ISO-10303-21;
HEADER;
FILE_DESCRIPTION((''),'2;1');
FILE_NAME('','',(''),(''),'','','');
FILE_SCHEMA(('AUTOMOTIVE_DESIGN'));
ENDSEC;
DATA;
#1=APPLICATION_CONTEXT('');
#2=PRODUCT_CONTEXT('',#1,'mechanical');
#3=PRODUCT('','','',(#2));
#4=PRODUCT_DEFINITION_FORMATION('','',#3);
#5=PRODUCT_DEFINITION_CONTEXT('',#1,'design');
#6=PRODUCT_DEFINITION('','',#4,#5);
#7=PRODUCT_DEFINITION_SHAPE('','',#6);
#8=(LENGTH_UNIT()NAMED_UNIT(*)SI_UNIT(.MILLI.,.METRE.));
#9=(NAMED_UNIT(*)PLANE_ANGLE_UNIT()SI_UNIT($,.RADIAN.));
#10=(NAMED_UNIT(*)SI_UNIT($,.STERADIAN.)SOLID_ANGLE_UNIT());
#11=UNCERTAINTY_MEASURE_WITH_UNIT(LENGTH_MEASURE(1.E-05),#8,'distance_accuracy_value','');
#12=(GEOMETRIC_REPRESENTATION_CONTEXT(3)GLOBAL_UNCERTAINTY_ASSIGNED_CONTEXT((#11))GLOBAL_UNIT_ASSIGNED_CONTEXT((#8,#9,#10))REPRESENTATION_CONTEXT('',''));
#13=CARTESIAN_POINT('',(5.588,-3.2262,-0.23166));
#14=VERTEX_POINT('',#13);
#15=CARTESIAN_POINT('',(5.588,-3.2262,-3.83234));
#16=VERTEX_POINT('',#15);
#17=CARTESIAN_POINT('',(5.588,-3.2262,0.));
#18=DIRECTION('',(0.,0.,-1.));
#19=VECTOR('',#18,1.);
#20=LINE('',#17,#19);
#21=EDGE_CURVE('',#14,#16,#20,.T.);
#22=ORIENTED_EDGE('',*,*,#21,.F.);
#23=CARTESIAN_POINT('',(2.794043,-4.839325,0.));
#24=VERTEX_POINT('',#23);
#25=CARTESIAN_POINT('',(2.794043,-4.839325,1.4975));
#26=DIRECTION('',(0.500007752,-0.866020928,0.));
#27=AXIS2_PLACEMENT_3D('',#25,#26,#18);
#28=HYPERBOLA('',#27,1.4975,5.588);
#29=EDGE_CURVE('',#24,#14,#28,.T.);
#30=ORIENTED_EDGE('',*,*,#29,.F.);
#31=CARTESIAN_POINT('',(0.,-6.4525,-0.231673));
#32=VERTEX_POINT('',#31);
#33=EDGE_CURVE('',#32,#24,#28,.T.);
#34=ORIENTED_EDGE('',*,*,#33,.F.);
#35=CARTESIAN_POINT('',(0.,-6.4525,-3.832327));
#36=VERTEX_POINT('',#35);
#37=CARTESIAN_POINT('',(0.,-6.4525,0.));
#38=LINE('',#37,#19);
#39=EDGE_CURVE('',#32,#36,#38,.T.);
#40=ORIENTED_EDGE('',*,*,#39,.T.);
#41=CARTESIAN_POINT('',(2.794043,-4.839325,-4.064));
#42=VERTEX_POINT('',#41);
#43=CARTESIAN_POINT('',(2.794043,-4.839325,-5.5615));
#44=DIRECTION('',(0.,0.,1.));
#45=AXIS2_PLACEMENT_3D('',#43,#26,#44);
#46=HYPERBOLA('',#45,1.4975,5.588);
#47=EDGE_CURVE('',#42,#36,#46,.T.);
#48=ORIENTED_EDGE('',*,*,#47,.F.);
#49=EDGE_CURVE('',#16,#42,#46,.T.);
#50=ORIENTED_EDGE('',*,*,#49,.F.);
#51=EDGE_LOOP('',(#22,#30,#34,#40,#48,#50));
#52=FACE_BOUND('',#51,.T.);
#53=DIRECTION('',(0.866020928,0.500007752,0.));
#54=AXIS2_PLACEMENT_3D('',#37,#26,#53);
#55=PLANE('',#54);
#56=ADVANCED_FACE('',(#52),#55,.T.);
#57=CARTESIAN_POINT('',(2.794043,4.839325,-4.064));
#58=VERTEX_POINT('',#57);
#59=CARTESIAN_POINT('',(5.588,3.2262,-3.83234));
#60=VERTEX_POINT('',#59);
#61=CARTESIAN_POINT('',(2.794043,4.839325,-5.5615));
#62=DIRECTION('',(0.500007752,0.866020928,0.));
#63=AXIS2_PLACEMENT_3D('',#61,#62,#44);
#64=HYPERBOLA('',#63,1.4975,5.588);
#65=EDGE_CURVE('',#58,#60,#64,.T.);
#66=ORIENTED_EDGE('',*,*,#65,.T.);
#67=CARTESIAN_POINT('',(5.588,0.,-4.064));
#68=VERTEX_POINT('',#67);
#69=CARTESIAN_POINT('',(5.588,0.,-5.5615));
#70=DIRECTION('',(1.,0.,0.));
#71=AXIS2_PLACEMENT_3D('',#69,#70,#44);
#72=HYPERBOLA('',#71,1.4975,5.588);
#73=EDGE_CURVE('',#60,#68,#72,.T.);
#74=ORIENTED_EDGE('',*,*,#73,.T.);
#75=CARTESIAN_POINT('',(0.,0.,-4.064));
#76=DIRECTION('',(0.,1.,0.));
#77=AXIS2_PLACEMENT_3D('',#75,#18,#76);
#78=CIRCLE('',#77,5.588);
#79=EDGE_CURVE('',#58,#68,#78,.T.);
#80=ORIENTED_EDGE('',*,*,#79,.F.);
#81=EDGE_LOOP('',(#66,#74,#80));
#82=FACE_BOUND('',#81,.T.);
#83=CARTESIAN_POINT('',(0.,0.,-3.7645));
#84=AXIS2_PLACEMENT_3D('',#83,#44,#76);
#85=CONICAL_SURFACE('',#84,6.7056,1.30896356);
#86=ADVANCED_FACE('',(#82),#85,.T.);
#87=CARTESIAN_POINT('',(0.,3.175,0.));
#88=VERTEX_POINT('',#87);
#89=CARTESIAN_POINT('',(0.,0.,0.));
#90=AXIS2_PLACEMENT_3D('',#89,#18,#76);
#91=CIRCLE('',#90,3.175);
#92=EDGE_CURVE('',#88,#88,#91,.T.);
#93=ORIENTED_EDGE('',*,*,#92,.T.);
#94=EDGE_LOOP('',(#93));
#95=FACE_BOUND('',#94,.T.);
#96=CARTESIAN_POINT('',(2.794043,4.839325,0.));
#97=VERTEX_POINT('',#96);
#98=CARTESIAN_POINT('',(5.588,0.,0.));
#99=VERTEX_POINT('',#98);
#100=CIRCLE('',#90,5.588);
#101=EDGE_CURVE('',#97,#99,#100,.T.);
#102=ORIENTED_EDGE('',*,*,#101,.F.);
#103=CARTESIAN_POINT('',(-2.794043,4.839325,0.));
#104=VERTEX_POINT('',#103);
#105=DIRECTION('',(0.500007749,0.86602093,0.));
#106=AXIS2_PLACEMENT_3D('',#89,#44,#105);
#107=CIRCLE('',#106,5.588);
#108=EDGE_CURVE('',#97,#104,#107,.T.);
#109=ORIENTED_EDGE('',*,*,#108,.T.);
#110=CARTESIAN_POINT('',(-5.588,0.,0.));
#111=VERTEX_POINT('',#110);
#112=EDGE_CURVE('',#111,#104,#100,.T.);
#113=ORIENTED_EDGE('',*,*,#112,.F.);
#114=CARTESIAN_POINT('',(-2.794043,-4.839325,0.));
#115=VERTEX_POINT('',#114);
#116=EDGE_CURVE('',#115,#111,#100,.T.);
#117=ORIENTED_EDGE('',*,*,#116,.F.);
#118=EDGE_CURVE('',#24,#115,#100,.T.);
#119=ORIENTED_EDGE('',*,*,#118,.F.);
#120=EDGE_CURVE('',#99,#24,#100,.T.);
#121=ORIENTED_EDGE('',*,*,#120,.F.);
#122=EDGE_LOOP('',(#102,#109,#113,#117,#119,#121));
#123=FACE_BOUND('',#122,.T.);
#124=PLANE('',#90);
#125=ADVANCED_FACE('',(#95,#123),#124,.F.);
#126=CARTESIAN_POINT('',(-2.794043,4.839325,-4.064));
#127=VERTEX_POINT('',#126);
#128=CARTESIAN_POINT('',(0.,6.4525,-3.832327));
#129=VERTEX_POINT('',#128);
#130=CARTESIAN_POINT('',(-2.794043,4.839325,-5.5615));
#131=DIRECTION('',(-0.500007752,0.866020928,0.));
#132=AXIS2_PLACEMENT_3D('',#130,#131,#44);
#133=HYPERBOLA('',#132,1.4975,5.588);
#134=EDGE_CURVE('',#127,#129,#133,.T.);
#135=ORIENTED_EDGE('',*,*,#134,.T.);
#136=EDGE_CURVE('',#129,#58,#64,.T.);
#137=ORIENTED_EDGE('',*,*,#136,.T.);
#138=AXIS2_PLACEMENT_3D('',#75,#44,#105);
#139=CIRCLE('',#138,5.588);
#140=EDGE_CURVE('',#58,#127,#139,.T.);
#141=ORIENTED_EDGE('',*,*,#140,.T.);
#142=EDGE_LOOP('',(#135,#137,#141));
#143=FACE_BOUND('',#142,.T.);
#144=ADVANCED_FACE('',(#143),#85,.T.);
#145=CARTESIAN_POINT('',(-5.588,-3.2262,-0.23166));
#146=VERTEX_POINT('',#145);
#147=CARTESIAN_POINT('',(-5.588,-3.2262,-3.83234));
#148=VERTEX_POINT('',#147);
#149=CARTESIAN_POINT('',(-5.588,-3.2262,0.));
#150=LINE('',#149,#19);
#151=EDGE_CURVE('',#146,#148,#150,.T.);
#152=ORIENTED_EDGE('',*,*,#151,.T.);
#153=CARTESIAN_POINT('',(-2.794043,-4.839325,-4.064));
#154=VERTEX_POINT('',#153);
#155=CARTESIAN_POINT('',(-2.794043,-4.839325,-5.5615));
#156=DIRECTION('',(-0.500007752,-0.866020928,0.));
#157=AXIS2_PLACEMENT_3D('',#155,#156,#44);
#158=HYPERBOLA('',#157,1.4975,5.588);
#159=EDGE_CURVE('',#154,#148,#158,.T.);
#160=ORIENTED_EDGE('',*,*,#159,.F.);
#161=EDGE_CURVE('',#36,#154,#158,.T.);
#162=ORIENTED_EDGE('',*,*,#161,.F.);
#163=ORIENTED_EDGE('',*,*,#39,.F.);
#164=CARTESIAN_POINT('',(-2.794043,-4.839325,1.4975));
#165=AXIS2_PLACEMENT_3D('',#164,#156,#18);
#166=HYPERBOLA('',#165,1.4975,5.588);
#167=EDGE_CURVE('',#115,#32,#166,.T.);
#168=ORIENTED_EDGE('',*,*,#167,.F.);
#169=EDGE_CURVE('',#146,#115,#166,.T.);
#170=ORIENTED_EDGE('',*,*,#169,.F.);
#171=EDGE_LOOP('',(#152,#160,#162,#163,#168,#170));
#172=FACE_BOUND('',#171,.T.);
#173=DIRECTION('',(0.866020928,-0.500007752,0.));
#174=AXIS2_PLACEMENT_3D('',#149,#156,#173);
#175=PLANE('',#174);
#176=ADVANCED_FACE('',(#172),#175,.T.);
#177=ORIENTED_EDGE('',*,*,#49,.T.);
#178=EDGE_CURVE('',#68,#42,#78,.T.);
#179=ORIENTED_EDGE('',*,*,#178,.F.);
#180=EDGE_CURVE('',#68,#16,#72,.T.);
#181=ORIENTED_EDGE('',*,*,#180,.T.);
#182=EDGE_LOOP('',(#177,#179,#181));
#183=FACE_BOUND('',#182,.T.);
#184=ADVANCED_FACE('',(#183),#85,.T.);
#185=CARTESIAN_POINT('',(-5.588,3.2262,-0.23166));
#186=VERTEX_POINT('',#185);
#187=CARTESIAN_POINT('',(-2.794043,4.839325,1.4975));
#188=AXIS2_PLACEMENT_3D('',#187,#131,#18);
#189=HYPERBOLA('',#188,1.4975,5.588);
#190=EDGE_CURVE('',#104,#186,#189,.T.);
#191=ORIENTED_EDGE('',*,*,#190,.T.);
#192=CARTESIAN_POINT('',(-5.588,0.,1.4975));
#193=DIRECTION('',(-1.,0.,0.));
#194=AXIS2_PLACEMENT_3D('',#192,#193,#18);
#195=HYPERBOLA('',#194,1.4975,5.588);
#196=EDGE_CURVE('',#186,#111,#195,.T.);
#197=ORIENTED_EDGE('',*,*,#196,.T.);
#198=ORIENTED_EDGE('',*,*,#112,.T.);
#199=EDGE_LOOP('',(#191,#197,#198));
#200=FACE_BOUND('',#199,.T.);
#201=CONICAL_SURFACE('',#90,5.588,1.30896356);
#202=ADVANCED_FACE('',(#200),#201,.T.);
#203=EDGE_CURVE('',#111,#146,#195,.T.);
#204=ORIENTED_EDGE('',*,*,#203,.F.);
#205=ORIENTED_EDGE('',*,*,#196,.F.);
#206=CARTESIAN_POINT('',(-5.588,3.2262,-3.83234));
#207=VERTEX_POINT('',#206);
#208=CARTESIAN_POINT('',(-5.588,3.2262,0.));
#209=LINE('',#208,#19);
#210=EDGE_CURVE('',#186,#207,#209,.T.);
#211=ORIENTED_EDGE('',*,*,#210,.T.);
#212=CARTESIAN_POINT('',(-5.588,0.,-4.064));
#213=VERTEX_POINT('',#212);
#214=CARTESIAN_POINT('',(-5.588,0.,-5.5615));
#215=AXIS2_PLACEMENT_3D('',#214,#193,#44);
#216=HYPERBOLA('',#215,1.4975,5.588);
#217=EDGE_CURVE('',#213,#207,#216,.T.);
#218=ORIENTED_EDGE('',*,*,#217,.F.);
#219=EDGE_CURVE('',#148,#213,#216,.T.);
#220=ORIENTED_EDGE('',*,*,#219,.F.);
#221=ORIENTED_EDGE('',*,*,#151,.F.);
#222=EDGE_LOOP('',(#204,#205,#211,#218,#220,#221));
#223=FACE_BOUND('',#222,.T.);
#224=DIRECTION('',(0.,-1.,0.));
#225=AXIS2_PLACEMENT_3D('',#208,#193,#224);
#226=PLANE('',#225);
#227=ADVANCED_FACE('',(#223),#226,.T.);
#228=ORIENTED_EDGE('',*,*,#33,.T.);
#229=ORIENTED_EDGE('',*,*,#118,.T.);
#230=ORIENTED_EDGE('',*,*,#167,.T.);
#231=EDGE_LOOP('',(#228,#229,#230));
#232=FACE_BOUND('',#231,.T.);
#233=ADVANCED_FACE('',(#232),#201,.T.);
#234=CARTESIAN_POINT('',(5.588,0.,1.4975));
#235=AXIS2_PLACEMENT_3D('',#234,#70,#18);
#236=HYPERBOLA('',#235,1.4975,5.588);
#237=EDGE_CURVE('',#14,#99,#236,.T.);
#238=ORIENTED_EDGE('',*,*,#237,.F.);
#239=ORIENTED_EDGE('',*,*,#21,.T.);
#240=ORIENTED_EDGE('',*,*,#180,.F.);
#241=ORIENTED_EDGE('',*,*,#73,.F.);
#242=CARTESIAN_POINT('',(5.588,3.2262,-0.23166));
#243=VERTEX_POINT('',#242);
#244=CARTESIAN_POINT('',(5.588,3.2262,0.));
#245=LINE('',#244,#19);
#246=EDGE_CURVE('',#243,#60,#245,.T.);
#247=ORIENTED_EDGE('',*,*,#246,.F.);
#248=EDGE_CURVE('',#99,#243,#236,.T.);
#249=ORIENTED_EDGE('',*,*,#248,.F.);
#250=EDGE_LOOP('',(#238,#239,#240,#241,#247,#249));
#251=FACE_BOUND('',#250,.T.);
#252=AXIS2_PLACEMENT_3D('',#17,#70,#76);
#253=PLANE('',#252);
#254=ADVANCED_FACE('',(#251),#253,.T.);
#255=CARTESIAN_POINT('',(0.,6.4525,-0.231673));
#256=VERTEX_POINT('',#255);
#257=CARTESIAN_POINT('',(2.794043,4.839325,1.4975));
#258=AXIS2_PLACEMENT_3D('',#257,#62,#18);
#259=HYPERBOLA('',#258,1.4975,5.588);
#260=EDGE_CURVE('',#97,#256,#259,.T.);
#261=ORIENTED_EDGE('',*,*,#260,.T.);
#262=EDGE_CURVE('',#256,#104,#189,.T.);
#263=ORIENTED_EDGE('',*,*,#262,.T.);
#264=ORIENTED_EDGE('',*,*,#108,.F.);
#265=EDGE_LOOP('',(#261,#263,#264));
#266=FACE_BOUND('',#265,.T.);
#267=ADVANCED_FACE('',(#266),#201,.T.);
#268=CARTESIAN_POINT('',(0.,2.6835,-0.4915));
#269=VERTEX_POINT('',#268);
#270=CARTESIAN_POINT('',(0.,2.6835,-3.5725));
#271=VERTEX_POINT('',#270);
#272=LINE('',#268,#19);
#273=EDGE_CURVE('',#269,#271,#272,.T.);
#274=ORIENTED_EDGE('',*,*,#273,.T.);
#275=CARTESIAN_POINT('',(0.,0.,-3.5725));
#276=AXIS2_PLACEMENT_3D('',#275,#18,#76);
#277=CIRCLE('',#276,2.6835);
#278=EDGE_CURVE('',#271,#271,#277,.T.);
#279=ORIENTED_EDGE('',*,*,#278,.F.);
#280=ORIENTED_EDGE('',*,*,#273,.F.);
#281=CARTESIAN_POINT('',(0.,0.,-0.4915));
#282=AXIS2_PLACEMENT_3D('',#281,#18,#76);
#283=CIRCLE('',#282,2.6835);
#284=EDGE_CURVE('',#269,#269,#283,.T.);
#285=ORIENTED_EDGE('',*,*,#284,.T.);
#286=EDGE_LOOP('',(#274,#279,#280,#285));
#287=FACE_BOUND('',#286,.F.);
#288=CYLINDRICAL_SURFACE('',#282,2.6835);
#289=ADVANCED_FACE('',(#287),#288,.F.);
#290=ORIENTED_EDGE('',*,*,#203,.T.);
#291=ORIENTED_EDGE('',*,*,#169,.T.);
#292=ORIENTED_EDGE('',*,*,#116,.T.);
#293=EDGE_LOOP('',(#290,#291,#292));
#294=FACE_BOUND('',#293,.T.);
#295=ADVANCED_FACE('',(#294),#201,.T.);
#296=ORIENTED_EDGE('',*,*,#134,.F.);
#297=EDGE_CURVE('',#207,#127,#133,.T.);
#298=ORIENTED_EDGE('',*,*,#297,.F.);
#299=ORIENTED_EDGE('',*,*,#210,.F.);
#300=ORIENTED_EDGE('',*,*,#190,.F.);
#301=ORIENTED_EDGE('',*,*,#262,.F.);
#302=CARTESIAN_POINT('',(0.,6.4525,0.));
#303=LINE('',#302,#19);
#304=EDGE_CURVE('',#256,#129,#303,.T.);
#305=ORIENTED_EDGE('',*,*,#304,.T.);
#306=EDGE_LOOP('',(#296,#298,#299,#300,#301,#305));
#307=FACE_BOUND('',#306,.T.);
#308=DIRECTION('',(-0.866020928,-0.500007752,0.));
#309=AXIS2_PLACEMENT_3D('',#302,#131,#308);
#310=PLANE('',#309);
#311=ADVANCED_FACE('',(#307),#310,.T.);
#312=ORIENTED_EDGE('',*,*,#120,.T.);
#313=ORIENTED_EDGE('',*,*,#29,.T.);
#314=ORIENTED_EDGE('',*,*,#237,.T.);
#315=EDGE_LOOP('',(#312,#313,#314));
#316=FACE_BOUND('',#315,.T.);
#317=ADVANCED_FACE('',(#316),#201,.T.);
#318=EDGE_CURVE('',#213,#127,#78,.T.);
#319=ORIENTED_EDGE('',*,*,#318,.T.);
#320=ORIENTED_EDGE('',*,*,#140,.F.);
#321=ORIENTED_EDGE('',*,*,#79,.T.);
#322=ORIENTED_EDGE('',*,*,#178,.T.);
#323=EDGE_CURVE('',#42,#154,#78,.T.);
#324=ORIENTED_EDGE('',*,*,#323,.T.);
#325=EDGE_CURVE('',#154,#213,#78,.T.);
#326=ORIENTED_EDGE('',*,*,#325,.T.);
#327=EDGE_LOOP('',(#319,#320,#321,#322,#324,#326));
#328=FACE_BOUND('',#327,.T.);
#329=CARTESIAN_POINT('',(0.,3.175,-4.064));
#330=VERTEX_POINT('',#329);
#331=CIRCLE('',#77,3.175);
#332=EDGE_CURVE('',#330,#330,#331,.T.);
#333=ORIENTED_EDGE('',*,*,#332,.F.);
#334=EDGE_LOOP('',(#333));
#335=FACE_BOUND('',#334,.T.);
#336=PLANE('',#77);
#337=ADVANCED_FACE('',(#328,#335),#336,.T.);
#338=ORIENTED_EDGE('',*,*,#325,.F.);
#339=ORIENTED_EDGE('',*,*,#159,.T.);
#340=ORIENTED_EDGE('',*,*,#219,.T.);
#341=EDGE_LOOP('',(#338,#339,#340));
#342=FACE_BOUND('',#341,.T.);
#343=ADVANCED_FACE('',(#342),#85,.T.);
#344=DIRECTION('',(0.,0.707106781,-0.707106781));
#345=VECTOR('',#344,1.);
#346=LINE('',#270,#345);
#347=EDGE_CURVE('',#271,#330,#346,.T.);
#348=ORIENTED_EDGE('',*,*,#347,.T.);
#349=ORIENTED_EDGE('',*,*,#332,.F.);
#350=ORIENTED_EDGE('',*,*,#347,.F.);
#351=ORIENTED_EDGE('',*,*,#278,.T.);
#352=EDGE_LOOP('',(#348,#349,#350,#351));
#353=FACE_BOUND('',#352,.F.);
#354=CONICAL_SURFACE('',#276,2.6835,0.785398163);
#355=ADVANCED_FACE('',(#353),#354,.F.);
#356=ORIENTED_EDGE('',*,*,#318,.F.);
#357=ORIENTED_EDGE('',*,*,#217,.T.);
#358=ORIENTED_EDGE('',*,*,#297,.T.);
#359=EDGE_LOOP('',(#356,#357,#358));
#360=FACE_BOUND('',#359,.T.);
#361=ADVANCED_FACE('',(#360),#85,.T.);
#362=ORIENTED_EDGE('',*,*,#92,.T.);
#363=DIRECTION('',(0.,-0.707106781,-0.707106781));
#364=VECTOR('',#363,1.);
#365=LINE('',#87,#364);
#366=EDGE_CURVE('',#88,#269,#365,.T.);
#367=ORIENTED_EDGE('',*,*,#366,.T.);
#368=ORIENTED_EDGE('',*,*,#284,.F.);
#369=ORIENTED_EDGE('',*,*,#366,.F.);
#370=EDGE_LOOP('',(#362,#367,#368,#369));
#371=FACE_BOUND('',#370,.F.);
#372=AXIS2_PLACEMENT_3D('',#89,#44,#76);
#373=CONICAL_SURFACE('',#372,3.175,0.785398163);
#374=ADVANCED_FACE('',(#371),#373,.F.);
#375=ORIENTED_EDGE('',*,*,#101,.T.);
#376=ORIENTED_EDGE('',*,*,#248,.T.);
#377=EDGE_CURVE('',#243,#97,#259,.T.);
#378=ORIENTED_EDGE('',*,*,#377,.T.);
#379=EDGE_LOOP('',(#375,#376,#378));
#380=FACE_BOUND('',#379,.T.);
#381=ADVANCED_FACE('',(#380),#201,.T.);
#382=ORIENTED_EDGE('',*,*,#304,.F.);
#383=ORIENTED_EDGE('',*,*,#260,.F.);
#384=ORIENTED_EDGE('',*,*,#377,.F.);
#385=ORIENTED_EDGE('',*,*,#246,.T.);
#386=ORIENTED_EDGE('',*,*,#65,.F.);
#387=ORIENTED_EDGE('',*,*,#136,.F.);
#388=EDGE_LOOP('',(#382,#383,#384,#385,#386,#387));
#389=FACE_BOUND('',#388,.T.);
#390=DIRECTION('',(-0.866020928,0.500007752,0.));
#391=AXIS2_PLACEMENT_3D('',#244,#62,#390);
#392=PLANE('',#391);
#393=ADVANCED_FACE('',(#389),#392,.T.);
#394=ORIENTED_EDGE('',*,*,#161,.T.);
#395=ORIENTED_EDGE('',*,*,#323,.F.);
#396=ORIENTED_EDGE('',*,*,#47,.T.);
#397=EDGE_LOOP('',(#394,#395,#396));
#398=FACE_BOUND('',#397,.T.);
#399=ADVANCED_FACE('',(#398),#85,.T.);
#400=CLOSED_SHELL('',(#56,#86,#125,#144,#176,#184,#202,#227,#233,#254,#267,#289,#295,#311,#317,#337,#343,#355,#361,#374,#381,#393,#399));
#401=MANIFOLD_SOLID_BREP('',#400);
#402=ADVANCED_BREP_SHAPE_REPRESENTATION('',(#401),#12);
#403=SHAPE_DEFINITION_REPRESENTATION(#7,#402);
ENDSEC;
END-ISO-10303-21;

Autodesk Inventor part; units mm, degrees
sketch "Sketch_8" plane through (0, 0, 0) normal (1, 0, 0) x (0, 1, 0)
  line L0 (0, -4.064) -> (0, 0)
  line L1 (0, 0) -> (5.588, 0)
  line L2 (5.588, 0) -> (6.7056, -0.2995)
  line L3 (6.7056, -0.2995) -> (6.7056, -3.7645)
  line L4 (6.7056, -3.7645) -> (5.588, -4.064)
  line L5 (5.588, -4.064) -> (0, -4.064)
  line L6 (0, -4.064) -> (0, 0)
sketch "Sketch_10" plane through (0, 0, 0) normal (0, 0, 1) x (1, 0, 0)
  line L0 (-11.176, -11.176) -> (11.176, -11.176)
  line L1 (11.176, -11.176) -> (11.176, 11.176)
  line L2 (11.176, 11.176) -> (-11.176, 11.176)
  line L3 (-11.176, 11.176) -> (-11.176, -11.176)
  line L4 (-5.588, -3.2262) -> (0, -6.4525)
  line L5 (0, -6.4525) -> (5.588, -3.2262)
  line L6 (5.588, -3.2262) -> (5.588, 3.2262)
  line L7 (5.588, 3.2262) -> (0, 6.4525)
  line L8 (0, 6.4525) -> (-5.588, 3.2262)
  line L9 (-5.588, 3.2262) -> (-5.588, -3.2262)
revolve "Revolution1" add sketch "Sketch_8" angle 360 about axis through (0, 0, -4.064) along (0, 0, -1)
extrude "Extrusion1" cut sketch "Sketch_10" against normal blind 4.064
sketch "Sketch_11" plane through (0, 0, 0) normal (1, 0, 0) x (0, 1, 0)
  line L0 (0, -4.064) -> (0, 0)
  line L1 (0, 0) -> (3.175, 0)
  line L2 (3.175, 0) -> (2.6835, -0.4915)
  line L3 (2.6835, -0.4915) -> (2.6835, -3.5725)
  line L4 (2.6835, -3.5725) -> (3.175, -4.064)
  line L5 (3.175, -4.064) -> (0, -4.064)
  line L6 (0, -4.064) -> (0, 0)
revolve "Revolution2" cut sketch "Sketch_11" angle 360 about axis through (0, 0, -4.064) along (0, 0, -1)
thread "Thread1" size "1/4-28 UNF" class "2B" standard "ANSI Unified Screw Threads" full length
ref_plane "NUT_XY" through (0, 0, 0) normal (0, 0, 1) x (1, 0, 0)
ref_plane "NUT_YZ" through (0, 0, 0) normal (1, 0, 0) x (0, 1, 0)
ref_plane "NUT_ZX" through (0, 0, 0) normal (0, 1, 0) x (0, 0, 1)
ref_plane "a1_XY" through (-5.588, 5.588, 0) normal (0, 0, 1) x (1, 0, 0)
ref_plane "a1_YZ" through (-5.588, 5.588, 0) normal (1, 0, 0) x (0, 1, 0)
ref_plane "a1_ZX" through (-5.588, 5.588, 0) normal (0, 1, 0) x (0, 0, 1)
ref_plane "a2_XY" through (5.588, 5.588, 0) normal (0, 0, 1) x (1, 0, 0)
ref_plane "a2_YZ" through (5.588, 5.588, 0) normal (1, 0, 0) x (0, 1, 0)
ref_plane "a2_ZX" through (5.588, 5.588, 0) normal (0, 1, 0) x (0, 0, 1)
ref_plane "b1_XY" through (0, 5.588, 0) normal (1, 0, 0) x (0, 0, -1)
ref_plane "b1_YZ" through (0, 5.588, 0) normal (0, 0, -1) x (0, 1, 0)
ref_plane "b1_ZX" through (0, 5.588, 0) normal (0, 1, 0) x (1, 0, 0)
ref_plane "b2_XY" through (0, 5.588, -4.064) normal (1, 0, 0) x (0, 0, -1)
ref_plane "b2_YZ" through (0, 5.588, -4.064) normal (0, 0, -1) x (0, 1, 0)
ref_plane "b2_ZX" through (0, 5.588, -4.064) normal (0, 1, 0) x (1, 0, 0)
ref_plane "e_XY" through (0, 0, -4.064) normal (1, 0, 0) x (0, 0, -1)
ref_plane "e_YZ" through (0, 0, -4.064) normal (0, 0, -1) x (0, 1, 0)
ref_plane "e_ZX" through (0, 0, -4.064) normal (0, 1, 0) x (1, 0, 0)
ref_plane "ol1_XY" through (0, 0, -5.588) normal (0, 1, 0) x (1, 0, 0)
ref_plane "ol1_YZ" through (0, 0, -5.588) normal (1, 0, 0) x (0, 0, -1)
ref_plane "ol1_ZX" through (0, 0, -5.588) normal (0, 0, -1) x (0, 1, 0)
ref_plane "ol2_XY" through (4.064, 0, -5.588) normal (0, 1, 0) x (1, 0, 0)
ref_plane "ol2_YZ" through (4.064, 0, -5.588) normal (1, 0, 0) x (0, 0, -1)
ref_plane "ol2_ZX" through (4.064, 0, -5.588) normal (0, 0, -1) x (0, 1, 0)
ref_plane "th1_XY" through (0, 3.175, -4.064) normal (1, 0, 0) x (0, 0, -1)
ref_plane "th1_YZ" through (0, 3.175, -4.064) normal (0, 0, -1) x (0, 1, 0)
ref_plane "th1_ZX" through (0, 3.175, -4.064) normal (0, 1, 0) x (1, 0, 0)
ref_plane "th2_XY" through (0, -3.175, -4.064) normal (1, 0, 0) x (0, 0, -1)
ref_plane "th2_YZ" through (0, -3.175, -4.064) normal (0, 0, -1) x (0, 1, 0)
ref_plane "th2_ZX" through (0, -3.175, -4.064) normal (0, 1, 0) x (1, 0, 0)
properties part number "D-344" material "Steel, Galvanized"
